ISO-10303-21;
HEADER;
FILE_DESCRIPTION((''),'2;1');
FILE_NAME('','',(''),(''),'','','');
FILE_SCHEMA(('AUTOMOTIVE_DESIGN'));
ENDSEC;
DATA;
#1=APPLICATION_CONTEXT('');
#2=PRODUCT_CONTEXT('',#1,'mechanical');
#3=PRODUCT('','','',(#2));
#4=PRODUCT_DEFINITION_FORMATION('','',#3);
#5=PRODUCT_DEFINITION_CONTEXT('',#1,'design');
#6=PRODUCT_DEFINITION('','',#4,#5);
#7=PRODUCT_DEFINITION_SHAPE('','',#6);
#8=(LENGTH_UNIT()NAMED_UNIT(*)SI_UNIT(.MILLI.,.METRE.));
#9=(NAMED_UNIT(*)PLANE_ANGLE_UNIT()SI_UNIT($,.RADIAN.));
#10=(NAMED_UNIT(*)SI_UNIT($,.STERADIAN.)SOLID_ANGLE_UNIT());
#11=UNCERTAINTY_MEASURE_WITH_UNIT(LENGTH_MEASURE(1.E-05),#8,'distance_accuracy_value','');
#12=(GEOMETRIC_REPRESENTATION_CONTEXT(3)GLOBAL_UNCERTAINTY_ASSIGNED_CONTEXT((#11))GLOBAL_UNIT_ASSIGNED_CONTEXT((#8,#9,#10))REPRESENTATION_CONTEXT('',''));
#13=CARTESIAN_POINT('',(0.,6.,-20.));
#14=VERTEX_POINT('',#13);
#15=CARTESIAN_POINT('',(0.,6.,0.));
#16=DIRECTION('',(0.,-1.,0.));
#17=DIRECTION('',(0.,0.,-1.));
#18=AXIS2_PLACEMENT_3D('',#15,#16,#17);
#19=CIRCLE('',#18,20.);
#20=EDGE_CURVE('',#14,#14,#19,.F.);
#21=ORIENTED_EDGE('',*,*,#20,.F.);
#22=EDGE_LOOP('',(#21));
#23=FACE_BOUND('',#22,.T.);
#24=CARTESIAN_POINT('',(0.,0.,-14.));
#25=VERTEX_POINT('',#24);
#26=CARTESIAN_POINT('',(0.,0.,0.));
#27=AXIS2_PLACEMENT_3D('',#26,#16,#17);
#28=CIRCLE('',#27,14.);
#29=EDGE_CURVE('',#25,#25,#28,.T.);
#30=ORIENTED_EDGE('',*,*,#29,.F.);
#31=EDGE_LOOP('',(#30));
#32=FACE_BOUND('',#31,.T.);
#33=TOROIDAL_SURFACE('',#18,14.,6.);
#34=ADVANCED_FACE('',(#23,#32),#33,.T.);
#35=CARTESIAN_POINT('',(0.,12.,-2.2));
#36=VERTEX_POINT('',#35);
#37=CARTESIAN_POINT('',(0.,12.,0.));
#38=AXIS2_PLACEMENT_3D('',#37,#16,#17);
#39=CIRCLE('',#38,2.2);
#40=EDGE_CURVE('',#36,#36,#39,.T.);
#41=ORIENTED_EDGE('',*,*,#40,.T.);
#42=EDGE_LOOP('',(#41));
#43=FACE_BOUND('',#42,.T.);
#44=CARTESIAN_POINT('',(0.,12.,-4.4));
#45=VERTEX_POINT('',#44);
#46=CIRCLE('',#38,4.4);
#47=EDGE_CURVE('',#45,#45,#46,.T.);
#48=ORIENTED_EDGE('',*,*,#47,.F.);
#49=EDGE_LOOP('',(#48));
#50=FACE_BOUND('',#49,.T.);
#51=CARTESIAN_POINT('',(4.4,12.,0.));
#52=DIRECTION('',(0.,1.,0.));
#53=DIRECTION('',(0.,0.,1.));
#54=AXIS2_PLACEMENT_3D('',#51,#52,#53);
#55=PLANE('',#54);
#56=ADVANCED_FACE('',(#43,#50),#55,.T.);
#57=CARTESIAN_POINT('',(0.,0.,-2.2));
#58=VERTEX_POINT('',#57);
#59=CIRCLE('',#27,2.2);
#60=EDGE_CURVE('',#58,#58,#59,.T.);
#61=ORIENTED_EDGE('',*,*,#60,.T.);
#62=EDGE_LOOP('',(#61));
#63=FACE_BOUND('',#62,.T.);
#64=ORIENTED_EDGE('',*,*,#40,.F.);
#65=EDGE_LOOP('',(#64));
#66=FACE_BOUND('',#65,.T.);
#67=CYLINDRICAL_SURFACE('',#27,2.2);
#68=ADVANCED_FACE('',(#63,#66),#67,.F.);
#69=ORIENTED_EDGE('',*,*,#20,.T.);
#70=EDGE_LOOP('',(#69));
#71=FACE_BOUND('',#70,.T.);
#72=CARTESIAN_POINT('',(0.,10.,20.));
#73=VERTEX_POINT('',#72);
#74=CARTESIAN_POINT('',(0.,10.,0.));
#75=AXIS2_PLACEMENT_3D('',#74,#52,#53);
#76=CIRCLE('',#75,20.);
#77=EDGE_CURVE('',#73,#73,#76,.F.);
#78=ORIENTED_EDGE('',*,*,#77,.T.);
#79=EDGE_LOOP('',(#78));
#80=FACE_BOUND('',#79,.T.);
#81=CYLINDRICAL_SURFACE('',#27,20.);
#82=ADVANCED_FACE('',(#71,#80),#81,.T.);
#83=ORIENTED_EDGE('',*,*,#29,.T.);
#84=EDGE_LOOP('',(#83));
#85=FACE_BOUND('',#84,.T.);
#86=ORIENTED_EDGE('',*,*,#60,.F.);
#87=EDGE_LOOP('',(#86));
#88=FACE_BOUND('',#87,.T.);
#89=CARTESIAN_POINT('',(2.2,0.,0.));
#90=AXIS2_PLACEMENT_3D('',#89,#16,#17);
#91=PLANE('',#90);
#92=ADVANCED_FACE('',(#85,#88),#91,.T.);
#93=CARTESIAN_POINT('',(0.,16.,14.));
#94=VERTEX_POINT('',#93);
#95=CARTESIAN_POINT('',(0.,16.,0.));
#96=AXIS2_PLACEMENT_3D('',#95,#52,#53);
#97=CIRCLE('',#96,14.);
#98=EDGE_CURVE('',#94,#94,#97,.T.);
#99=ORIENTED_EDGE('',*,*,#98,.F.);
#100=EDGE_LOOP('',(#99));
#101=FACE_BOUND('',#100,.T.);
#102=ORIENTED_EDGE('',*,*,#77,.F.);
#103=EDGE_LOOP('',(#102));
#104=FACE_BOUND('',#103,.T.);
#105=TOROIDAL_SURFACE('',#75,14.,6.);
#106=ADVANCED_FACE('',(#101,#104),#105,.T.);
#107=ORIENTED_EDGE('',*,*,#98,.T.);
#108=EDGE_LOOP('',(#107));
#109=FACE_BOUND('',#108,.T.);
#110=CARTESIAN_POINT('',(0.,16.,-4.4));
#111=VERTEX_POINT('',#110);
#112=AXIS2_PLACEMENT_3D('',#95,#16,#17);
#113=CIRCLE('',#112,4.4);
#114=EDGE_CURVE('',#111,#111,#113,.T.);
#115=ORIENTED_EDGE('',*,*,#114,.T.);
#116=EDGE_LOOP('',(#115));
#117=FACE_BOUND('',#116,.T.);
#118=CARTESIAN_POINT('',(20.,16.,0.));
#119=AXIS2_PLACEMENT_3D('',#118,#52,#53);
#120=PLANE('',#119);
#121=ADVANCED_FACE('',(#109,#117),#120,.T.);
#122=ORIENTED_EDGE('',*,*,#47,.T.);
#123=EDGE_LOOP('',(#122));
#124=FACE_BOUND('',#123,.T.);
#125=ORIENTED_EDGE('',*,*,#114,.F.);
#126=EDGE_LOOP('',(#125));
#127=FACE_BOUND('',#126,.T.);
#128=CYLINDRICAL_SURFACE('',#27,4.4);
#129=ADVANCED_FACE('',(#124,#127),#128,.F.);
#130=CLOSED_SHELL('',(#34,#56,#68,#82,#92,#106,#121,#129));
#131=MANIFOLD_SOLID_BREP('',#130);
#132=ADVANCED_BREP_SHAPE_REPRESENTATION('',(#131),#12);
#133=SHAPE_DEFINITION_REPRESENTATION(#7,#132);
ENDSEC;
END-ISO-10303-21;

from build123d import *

# Parameters (mm, degrees)
FILLET1_R = 6


with BuildPart() as part:
    # Sketch1 → Revolve1 (revolve)
    with BuildSketch(Plane.XY, mode=Mode.PRIVATE) as revolve1_sk:
        Polygon((4.4, 16), (4.4, 12), (2.2, 12), (2.2, 0), (20, 0), (20, 16), align=None)
    revolve(revolve1_sk.sketch.rotate(Axis((0, 0, 0), (0, 1, 0)), 90), axis=Axis((0, 0, 0), (0, 1, 0)))

    # Fillet1
    fillet1_edges = [part.edges().sort_by_distance(p)[0] for p in [
        (0, 16, 20),
        (0, 0, 20),
    ]]
    fillet(fillet1_edges, radius=FILLET1_R)


solid = part.part
